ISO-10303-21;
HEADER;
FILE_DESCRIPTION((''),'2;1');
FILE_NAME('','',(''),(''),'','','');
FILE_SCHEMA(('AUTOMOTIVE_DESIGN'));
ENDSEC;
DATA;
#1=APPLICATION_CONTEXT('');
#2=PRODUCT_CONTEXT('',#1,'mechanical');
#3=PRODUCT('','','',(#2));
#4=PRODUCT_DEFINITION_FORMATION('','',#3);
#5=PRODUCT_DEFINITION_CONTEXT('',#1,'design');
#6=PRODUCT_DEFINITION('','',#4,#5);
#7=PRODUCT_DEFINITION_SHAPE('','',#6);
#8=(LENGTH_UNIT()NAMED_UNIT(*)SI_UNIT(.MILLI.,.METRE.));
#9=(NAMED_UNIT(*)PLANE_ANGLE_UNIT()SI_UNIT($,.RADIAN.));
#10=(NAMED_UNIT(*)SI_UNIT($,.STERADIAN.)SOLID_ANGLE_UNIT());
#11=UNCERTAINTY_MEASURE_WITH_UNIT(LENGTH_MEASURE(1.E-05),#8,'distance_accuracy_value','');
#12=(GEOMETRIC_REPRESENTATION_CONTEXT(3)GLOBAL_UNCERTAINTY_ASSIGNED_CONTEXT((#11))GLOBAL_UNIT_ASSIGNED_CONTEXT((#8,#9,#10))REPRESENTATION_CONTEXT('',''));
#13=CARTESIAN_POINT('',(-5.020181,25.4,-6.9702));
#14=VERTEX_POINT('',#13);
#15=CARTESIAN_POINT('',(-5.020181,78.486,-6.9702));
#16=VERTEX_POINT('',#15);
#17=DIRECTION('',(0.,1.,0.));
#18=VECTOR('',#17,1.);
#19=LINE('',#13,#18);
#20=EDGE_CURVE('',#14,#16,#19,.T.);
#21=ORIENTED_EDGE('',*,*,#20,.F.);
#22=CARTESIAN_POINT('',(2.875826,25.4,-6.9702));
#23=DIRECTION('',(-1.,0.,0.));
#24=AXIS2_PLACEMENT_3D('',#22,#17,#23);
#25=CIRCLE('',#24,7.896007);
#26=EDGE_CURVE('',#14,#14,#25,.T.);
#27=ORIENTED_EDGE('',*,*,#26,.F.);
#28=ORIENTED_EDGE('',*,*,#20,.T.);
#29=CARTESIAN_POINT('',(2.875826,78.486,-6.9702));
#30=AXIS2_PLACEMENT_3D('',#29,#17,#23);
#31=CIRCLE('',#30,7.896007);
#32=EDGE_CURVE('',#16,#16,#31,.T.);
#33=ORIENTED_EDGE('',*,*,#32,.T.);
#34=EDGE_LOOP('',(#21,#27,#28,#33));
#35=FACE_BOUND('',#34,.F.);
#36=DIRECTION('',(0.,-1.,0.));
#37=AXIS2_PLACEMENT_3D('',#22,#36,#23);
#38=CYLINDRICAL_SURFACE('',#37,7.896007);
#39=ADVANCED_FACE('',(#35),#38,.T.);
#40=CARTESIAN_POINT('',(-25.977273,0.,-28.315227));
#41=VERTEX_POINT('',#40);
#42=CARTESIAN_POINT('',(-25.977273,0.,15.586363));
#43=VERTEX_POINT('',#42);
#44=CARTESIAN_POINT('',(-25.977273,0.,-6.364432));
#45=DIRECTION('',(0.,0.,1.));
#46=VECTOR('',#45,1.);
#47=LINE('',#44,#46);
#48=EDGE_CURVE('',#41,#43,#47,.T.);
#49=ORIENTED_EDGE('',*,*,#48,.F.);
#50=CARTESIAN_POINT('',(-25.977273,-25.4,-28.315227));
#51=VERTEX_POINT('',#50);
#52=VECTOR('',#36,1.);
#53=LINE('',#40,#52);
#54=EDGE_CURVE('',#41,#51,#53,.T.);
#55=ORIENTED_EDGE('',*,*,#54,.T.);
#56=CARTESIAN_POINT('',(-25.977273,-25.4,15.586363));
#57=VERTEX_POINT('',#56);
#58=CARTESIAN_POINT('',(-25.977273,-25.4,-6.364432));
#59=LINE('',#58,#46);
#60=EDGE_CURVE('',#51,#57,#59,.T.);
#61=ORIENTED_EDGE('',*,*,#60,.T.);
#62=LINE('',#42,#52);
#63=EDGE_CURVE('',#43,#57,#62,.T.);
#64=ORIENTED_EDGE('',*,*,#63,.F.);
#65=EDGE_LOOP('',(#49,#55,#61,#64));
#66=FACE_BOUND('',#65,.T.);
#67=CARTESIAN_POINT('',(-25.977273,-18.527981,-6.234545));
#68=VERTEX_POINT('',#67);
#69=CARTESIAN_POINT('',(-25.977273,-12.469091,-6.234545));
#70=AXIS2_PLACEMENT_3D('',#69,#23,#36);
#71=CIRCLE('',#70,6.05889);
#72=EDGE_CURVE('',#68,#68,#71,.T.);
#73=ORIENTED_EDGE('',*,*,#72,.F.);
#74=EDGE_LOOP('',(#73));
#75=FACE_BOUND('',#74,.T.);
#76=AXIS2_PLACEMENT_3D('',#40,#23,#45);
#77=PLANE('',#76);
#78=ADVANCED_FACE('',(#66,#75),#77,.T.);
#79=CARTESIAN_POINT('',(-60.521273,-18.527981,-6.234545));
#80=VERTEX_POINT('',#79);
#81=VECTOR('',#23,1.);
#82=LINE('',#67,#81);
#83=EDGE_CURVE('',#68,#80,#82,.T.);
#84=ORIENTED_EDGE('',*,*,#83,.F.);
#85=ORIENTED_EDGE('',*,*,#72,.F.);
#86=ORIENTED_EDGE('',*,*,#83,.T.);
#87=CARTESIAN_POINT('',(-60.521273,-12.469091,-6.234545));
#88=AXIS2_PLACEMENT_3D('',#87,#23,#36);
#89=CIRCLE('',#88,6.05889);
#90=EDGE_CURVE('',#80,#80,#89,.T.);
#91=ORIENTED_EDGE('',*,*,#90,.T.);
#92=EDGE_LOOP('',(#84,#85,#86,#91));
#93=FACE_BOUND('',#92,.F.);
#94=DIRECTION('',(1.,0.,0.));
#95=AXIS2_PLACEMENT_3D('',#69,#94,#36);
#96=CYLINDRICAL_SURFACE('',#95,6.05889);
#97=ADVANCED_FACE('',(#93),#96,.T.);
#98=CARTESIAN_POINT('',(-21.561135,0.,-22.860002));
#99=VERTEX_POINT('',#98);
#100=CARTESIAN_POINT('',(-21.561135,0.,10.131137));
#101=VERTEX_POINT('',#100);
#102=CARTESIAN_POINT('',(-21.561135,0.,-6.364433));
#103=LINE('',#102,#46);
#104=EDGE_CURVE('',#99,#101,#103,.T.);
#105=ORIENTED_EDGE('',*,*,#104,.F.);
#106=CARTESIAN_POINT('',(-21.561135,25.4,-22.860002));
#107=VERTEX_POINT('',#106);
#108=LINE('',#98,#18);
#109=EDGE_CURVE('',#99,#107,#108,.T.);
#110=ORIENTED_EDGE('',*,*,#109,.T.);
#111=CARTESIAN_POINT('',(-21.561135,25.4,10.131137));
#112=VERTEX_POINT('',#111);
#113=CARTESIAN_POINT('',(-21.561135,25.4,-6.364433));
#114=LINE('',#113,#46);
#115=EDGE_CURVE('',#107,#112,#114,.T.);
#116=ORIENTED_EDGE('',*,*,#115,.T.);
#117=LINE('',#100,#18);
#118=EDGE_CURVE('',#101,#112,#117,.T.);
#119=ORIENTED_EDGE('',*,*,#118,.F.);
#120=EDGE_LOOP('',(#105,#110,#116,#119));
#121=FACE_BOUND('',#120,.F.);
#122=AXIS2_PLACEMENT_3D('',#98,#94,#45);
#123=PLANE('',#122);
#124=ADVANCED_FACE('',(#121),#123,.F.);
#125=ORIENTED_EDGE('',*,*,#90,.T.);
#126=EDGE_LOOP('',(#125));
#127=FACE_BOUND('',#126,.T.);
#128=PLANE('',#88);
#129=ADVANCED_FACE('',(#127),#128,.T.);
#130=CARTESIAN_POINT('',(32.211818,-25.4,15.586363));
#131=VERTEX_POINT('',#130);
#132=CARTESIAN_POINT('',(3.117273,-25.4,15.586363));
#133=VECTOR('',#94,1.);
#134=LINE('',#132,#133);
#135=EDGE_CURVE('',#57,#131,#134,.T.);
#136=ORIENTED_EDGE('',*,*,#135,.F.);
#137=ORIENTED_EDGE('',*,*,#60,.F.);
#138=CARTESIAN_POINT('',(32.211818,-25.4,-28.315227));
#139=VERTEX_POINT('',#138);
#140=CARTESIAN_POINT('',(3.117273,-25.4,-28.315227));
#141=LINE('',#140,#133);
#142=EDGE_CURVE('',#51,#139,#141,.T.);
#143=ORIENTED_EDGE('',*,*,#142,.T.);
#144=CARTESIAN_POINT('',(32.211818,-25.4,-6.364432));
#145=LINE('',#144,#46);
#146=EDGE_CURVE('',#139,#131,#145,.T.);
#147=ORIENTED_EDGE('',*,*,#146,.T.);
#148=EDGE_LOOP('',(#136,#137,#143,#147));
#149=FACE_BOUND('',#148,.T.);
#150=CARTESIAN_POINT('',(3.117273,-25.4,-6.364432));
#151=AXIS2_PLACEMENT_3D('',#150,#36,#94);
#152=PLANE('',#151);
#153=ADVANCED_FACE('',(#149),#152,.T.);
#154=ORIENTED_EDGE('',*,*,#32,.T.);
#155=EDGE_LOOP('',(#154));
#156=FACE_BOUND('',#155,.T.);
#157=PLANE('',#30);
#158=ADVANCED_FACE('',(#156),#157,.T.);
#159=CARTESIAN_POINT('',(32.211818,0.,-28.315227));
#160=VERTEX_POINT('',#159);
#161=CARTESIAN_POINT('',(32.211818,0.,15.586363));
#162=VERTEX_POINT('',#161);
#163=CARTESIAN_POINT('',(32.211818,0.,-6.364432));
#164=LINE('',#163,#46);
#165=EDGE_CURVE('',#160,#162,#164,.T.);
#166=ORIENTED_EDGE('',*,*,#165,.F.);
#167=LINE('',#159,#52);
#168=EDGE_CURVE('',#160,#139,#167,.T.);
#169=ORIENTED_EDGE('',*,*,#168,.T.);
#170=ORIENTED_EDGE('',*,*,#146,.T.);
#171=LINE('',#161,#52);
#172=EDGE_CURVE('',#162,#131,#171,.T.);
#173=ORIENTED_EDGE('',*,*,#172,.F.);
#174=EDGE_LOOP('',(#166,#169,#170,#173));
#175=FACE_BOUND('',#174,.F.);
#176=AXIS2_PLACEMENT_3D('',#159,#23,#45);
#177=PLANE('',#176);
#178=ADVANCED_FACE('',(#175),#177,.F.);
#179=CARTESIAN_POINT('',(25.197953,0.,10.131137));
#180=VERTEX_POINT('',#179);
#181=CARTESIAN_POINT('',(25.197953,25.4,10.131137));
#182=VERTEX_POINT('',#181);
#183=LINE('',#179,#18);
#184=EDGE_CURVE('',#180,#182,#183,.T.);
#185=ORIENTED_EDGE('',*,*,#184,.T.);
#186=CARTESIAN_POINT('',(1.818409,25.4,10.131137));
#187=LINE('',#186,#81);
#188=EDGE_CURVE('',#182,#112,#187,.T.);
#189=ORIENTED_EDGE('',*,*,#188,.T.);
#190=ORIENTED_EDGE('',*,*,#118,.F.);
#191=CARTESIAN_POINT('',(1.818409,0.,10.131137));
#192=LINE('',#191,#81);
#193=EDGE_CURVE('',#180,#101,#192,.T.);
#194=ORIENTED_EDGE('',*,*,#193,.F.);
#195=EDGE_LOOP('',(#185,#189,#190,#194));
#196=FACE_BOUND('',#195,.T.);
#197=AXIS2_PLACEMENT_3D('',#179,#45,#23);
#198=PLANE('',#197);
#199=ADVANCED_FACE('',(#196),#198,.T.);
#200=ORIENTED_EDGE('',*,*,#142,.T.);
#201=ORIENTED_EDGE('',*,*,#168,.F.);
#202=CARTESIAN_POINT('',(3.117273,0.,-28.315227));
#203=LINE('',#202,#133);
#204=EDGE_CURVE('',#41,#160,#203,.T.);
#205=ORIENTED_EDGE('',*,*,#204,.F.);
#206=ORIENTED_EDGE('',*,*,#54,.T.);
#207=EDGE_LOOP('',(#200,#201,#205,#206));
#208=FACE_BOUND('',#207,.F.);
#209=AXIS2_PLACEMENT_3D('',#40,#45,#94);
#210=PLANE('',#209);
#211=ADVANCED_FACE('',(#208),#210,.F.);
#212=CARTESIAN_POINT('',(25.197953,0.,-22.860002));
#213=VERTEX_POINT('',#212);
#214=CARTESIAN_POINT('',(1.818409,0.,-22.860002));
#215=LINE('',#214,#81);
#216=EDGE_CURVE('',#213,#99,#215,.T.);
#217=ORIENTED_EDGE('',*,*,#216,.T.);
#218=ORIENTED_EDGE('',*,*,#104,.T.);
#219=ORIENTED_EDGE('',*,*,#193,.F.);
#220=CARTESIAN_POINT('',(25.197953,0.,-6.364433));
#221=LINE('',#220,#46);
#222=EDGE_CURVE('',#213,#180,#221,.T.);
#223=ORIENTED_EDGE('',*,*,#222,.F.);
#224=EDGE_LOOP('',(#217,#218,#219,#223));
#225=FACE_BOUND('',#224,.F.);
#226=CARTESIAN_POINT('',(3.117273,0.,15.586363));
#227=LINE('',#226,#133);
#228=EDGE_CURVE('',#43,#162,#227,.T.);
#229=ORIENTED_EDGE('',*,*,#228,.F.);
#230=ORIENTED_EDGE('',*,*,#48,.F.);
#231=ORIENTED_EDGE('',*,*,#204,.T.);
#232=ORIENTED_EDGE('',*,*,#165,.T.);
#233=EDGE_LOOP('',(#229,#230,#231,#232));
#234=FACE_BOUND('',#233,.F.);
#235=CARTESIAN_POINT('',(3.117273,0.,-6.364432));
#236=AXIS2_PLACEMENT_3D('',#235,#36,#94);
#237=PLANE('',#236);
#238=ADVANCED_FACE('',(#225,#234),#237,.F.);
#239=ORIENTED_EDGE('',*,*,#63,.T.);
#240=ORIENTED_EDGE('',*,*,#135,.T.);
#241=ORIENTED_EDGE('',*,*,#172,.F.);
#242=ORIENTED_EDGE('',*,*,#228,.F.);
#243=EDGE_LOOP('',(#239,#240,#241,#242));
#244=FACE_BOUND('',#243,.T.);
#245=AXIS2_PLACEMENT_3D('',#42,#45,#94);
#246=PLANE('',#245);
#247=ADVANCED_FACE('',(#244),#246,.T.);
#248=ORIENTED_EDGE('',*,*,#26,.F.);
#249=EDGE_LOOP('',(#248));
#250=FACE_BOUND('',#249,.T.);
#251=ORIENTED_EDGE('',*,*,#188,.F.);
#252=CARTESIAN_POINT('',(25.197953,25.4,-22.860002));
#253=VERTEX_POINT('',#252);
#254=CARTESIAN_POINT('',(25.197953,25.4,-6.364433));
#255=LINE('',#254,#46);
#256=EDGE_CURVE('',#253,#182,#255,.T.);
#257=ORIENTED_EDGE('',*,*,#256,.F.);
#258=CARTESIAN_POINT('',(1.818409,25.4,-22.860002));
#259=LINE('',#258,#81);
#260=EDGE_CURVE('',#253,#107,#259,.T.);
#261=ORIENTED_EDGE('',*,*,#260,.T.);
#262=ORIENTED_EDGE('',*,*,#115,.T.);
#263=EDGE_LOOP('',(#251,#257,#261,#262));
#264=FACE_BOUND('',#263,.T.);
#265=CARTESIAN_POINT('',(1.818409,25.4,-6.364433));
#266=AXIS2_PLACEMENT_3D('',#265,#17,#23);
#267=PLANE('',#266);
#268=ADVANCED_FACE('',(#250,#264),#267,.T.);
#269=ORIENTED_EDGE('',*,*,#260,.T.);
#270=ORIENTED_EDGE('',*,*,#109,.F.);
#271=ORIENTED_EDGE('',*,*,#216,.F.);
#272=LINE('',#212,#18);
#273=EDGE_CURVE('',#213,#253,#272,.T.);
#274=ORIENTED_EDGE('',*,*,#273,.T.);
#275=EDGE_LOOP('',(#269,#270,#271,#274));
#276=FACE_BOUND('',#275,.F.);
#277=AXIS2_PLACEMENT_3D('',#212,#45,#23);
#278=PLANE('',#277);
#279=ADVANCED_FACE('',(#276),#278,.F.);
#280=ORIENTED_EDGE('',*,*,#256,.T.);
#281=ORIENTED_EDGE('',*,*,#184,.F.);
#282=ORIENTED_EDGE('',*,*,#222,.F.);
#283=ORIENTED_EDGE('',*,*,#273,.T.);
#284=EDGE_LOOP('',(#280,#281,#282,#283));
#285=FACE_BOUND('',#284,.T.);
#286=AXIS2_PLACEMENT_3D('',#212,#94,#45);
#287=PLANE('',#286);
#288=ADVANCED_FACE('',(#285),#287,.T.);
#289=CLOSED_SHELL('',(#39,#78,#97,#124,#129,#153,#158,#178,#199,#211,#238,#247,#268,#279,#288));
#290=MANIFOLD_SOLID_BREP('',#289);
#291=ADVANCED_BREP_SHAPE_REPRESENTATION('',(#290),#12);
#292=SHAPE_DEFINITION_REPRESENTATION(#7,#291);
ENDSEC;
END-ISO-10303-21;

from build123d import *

# Parameters (mm, degrees)
F0_W     = 58.1890903413
F0_H     = 43.9015906304
F1_DEPTH = 25.4
F2_R     = 6.0588899817
F3_DEPTH = 34.544
F4_W     = 46.7590875924
F4_H     = 32.9911382869
F5_DEPTH = 25.4
F6_R     = 7.896006859
F7_DEPTH = 53.086


with BuildPart() as f1:
    # F0 (on Front) → F1 (new body)
    with BuildSketch(Plane.XZ):
        with Locations((3.1172726303, -6.3644321635)):
            Rectangle(F0_W, F0_H)
    extrude(amount=F1_DEPTH)

    # F2 (on face) → F3 (join)
    with BuildSketch(Plane(origin=(-25.9772725403, 0, 0), x_dir=(0, -1, 0), z_dir=(-1, 0, 0))):
        with Locations((12.4690905213, -6.2345452607)):
            Circle(F2_R)
    extrude(amount=F3_DEPTH)

    # F4 (on face) → F5 (join)
    with BuildSketch(Plane(origin=(0, 0, 0), x_dir=(-1, 0, 0), z_dir=(0, 1, 0))):
        with Locations((-1.8184091896, -6.3644326292)):
            Rectangle(F4_W, F4_H)
    extrude(amount=F5_DEPTH)

    # F6 (on face) → F7 (join)
    with BuildSketch(Plane(origin=(0, 25.4, 0), x_dir=(-1, 0, 0), z_dir=(0, 1, 0))):
        with Locations((-2.8758263215, -6.9701997563)):
            Circle(F6_R)
    extrude(amount=F7_DEPTH)


solid = f1.part
